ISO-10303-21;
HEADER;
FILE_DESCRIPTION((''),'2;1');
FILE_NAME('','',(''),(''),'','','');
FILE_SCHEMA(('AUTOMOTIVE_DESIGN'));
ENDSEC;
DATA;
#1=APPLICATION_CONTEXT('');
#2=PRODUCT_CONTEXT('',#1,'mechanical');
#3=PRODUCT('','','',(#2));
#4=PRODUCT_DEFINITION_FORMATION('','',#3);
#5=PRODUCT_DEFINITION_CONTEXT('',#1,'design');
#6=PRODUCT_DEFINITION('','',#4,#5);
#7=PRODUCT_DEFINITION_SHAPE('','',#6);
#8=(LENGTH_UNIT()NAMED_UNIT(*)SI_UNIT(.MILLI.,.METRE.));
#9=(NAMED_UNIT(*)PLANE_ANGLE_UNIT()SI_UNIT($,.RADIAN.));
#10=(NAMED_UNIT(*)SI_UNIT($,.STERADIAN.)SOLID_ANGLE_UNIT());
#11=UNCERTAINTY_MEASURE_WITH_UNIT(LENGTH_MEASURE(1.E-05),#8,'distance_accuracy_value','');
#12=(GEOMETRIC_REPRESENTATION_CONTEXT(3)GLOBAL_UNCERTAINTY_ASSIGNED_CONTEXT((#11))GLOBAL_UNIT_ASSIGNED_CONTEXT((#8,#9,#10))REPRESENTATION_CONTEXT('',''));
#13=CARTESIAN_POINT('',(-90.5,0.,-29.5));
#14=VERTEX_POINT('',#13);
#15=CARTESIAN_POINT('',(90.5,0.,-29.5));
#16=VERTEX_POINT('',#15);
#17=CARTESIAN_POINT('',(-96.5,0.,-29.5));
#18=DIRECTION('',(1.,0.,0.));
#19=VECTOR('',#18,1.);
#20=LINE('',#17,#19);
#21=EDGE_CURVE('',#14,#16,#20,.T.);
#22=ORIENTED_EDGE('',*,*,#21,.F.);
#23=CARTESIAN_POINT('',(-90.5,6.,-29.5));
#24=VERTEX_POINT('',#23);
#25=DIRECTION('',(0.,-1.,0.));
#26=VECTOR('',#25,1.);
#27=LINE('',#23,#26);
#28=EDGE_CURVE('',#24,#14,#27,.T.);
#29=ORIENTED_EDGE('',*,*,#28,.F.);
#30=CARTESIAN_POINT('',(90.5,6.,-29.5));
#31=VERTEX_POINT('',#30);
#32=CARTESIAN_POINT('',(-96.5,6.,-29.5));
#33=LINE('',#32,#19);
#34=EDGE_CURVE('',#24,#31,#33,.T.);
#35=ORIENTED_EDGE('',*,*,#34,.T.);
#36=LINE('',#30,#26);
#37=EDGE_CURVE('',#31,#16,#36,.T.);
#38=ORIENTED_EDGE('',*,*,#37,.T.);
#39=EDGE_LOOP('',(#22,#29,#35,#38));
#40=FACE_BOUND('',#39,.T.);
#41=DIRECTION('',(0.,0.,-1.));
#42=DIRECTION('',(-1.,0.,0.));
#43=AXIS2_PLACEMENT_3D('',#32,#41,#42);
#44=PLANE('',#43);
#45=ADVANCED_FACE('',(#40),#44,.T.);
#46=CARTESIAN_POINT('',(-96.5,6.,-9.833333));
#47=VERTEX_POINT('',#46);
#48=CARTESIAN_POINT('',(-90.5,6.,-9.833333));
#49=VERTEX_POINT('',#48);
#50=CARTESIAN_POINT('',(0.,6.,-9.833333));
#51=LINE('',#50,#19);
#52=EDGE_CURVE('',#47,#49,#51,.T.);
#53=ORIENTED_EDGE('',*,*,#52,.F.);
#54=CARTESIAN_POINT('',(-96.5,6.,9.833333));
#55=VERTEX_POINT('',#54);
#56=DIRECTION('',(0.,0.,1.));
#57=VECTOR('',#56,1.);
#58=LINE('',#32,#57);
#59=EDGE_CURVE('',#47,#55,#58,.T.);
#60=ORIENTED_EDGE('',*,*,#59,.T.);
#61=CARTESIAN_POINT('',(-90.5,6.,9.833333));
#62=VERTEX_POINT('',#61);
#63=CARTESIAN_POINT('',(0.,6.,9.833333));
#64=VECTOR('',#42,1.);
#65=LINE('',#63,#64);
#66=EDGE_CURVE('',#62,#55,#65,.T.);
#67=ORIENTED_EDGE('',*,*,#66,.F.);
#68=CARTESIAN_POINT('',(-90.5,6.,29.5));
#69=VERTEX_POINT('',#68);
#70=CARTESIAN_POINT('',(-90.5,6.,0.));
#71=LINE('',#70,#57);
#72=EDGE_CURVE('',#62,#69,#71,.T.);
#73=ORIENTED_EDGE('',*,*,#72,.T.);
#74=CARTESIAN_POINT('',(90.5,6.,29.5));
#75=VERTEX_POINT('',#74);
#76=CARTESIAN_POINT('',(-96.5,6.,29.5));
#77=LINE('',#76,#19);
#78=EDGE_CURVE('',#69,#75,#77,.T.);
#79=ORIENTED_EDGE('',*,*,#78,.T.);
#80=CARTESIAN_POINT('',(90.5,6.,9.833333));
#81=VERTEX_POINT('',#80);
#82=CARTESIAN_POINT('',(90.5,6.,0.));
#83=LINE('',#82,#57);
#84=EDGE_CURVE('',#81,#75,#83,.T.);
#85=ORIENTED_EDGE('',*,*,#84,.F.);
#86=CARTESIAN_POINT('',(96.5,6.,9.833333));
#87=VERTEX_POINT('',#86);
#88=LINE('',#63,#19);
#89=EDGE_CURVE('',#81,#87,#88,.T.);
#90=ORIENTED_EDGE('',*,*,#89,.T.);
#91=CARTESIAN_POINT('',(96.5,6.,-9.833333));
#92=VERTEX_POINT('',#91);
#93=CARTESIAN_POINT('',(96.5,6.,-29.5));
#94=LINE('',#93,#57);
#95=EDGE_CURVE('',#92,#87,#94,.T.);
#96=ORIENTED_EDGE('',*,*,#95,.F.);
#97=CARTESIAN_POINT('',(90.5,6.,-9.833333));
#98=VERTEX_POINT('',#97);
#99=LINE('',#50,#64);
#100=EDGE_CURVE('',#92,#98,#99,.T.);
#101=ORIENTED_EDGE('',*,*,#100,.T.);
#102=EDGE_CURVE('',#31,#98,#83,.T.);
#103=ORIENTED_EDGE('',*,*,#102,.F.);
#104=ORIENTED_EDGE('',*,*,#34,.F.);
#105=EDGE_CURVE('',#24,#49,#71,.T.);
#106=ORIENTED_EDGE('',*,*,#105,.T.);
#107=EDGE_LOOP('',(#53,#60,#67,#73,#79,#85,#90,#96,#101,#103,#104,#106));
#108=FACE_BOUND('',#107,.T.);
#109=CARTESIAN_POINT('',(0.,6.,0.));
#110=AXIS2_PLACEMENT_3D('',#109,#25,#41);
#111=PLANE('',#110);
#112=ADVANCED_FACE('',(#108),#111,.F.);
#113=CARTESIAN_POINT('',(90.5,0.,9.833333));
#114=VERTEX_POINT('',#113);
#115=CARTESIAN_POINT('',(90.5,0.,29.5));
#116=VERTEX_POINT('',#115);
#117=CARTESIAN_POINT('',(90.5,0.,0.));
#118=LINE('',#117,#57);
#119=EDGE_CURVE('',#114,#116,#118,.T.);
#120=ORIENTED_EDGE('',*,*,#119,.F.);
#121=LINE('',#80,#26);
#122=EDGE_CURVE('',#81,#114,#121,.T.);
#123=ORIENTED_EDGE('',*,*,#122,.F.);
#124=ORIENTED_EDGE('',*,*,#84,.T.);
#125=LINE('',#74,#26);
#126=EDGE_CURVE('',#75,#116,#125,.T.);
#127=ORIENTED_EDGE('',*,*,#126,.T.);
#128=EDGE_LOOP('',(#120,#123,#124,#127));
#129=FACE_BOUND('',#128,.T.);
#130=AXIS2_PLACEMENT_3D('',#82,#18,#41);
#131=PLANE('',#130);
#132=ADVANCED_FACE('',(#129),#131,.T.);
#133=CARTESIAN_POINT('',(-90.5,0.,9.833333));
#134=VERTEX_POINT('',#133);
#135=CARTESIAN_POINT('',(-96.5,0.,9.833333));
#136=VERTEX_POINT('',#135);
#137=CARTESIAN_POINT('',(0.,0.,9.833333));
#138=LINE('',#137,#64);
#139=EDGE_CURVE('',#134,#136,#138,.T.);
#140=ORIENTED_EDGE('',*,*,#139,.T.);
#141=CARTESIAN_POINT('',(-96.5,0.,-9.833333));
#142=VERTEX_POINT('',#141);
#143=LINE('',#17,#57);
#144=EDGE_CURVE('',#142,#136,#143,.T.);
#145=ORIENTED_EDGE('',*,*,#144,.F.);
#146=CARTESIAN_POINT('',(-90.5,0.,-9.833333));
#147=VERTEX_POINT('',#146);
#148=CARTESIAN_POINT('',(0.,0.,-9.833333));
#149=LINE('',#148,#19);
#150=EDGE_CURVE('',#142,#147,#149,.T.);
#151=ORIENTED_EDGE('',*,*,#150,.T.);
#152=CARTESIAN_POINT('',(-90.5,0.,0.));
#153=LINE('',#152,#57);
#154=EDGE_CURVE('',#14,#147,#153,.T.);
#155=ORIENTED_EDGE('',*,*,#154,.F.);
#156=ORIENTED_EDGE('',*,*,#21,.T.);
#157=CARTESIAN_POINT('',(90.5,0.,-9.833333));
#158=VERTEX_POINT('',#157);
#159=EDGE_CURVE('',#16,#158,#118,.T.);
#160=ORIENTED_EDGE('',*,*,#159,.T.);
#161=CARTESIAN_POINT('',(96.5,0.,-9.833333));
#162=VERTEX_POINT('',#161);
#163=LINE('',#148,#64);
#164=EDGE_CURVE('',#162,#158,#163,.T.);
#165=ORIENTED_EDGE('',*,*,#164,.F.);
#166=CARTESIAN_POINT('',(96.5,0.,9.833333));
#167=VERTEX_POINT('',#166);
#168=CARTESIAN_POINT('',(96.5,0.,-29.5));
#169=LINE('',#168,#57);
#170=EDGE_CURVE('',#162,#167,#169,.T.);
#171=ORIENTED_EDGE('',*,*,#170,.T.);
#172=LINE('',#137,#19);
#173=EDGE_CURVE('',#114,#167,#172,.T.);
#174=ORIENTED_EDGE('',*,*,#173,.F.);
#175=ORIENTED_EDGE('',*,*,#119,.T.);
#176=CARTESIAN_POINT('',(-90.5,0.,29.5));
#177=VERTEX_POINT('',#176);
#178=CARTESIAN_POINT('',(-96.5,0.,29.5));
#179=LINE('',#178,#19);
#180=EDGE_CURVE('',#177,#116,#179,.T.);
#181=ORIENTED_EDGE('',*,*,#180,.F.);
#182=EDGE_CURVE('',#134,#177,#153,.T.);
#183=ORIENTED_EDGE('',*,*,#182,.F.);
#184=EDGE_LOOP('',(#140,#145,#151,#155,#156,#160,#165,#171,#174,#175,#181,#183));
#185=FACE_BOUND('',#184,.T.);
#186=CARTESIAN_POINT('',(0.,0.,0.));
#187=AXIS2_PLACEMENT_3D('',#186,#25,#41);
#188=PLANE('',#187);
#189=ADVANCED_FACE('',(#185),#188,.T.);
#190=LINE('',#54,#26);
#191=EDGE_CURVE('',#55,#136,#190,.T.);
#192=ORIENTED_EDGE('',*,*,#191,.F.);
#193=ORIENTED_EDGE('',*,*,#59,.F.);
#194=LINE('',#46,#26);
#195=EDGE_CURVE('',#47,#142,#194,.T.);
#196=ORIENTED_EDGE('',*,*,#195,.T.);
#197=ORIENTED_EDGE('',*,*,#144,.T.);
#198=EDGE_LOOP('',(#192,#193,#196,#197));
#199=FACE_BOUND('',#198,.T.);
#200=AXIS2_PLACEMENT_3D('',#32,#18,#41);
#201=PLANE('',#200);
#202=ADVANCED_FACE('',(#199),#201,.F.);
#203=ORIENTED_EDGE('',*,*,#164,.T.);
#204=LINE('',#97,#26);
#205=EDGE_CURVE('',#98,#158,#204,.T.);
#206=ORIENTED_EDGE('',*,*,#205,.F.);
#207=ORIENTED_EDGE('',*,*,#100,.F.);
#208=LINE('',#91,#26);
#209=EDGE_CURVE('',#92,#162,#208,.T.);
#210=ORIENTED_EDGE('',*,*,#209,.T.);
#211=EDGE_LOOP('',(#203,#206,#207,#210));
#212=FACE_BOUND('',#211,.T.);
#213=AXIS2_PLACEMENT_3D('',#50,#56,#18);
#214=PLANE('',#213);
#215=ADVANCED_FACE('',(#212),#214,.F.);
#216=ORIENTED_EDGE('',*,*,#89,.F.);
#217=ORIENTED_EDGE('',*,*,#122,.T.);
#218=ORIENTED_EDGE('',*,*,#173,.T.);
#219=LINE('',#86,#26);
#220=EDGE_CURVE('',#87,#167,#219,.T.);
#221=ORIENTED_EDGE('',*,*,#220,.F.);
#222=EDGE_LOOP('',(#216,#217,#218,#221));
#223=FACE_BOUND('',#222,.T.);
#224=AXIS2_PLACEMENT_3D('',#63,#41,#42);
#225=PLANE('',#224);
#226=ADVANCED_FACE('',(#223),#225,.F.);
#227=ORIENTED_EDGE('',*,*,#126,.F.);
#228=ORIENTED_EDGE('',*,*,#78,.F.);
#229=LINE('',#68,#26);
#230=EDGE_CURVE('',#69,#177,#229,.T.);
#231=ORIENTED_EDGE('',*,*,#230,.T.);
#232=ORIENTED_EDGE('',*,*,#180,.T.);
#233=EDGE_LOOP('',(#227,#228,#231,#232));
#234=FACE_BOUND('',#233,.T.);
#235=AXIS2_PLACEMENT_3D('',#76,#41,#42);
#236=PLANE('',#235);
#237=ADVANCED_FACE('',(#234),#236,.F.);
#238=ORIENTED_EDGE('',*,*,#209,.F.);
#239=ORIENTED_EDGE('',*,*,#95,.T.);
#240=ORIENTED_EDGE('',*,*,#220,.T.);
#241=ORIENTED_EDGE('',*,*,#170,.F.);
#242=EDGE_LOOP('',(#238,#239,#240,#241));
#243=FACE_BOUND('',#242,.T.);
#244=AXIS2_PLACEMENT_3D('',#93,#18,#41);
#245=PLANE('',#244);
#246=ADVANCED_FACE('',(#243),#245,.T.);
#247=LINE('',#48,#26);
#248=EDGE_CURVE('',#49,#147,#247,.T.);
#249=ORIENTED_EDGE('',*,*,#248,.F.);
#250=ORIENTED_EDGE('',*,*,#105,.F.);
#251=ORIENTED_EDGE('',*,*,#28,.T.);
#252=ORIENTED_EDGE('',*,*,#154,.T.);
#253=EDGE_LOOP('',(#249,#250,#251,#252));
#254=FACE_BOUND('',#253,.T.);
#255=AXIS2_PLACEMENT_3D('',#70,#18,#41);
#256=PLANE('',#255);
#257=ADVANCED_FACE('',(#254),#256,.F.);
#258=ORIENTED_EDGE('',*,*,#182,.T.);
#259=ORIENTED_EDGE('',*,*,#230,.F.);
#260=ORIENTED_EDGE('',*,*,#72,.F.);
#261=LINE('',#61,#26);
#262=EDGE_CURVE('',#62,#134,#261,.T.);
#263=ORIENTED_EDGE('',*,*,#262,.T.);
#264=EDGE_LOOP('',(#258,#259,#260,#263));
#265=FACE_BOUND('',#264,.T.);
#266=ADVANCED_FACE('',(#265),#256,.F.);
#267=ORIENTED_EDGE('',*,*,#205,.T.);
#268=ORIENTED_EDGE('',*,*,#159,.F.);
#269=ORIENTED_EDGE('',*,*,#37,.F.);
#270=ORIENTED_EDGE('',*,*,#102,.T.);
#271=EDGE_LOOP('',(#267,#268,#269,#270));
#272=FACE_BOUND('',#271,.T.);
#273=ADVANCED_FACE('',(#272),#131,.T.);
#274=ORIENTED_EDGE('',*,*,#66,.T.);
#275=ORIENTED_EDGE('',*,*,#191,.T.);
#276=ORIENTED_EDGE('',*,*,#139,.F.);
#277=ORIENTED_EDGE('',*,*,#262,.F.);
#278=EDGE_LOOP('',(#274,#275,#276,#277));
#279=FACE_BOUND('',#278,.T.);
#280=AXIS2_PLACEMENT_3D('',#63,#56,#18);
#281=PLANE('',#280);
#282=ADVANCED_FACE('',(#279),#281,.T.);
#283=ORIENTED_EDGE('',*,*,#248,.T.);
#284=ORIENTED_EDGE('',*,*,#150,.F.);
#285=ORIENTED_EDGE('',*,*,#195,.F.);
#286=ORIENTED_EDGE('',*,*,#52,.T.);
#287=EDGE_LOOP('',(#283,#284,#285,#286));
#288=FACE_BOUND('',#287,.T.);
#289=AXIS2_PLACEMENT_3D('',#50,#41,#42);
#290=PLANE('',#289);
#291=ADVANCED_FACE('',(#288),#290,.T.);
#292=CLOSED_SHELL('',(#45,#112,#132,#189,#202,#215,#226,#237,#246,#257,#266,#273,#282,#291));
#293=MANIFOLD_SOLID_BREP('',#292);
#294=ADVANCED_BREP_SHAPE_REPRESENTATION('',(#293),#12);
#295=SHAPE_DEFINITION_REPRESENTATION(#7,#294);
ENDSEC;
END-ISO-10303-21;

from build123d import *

# Parameters (mm, degrees)
SKETCH1_W           = 193
SKETCH1_H           = 59
BOSS_EXTRUDE1_DEPTH = 6
SKETCH1_3_W         = 6
SKETCH1_3_H         = 19.666666667
CUT_EXTRUDE1_DEPTH  = 7


with BuildPart() as part:
    # Sketch1 → Boss-Extrude1 (new body)
    with BuildSketch(Plane(origin=(0, 0, 0), x_dir=(1, 0, 0), z_dir=(0, 1, 0))):
        Rectangle(SKETCH1_W, SKETCH1_H)
    extrude(amount=BOSS_EXTRUDE1_DEPTH)

    # Sketch1<3> → Cut-Extrude1 (cut, through all)
    with BuildSketch(Plane(origin=(0, 0, 0), x_dir=(1, 0, 0), z_dir=(0, 1, 0))):
        with Locations((-93.5, -19.666666667)):
            Rectangle(SKETCH1_3_W, SKETCH1_3_H)
        with Locations((-93.5, 19.666666667)):
            Rectangle(SKETCH1_3_W, SKETCH1_3_H)
    cut_extrude1 = extrude(amount=CUT_EXTRUDE1_DEPTH, mode=Mode.SUBTRACT)

    # Mirror1: Cut-Extrude1 across plane
    add(cut_extrude1.mirror(Plane(origin=(0, 0, 0), x_dir=(0, 0, 1), z_dir=(1, 0, 0))), mode=Mode.SUBTRACT)


solid = part.part
